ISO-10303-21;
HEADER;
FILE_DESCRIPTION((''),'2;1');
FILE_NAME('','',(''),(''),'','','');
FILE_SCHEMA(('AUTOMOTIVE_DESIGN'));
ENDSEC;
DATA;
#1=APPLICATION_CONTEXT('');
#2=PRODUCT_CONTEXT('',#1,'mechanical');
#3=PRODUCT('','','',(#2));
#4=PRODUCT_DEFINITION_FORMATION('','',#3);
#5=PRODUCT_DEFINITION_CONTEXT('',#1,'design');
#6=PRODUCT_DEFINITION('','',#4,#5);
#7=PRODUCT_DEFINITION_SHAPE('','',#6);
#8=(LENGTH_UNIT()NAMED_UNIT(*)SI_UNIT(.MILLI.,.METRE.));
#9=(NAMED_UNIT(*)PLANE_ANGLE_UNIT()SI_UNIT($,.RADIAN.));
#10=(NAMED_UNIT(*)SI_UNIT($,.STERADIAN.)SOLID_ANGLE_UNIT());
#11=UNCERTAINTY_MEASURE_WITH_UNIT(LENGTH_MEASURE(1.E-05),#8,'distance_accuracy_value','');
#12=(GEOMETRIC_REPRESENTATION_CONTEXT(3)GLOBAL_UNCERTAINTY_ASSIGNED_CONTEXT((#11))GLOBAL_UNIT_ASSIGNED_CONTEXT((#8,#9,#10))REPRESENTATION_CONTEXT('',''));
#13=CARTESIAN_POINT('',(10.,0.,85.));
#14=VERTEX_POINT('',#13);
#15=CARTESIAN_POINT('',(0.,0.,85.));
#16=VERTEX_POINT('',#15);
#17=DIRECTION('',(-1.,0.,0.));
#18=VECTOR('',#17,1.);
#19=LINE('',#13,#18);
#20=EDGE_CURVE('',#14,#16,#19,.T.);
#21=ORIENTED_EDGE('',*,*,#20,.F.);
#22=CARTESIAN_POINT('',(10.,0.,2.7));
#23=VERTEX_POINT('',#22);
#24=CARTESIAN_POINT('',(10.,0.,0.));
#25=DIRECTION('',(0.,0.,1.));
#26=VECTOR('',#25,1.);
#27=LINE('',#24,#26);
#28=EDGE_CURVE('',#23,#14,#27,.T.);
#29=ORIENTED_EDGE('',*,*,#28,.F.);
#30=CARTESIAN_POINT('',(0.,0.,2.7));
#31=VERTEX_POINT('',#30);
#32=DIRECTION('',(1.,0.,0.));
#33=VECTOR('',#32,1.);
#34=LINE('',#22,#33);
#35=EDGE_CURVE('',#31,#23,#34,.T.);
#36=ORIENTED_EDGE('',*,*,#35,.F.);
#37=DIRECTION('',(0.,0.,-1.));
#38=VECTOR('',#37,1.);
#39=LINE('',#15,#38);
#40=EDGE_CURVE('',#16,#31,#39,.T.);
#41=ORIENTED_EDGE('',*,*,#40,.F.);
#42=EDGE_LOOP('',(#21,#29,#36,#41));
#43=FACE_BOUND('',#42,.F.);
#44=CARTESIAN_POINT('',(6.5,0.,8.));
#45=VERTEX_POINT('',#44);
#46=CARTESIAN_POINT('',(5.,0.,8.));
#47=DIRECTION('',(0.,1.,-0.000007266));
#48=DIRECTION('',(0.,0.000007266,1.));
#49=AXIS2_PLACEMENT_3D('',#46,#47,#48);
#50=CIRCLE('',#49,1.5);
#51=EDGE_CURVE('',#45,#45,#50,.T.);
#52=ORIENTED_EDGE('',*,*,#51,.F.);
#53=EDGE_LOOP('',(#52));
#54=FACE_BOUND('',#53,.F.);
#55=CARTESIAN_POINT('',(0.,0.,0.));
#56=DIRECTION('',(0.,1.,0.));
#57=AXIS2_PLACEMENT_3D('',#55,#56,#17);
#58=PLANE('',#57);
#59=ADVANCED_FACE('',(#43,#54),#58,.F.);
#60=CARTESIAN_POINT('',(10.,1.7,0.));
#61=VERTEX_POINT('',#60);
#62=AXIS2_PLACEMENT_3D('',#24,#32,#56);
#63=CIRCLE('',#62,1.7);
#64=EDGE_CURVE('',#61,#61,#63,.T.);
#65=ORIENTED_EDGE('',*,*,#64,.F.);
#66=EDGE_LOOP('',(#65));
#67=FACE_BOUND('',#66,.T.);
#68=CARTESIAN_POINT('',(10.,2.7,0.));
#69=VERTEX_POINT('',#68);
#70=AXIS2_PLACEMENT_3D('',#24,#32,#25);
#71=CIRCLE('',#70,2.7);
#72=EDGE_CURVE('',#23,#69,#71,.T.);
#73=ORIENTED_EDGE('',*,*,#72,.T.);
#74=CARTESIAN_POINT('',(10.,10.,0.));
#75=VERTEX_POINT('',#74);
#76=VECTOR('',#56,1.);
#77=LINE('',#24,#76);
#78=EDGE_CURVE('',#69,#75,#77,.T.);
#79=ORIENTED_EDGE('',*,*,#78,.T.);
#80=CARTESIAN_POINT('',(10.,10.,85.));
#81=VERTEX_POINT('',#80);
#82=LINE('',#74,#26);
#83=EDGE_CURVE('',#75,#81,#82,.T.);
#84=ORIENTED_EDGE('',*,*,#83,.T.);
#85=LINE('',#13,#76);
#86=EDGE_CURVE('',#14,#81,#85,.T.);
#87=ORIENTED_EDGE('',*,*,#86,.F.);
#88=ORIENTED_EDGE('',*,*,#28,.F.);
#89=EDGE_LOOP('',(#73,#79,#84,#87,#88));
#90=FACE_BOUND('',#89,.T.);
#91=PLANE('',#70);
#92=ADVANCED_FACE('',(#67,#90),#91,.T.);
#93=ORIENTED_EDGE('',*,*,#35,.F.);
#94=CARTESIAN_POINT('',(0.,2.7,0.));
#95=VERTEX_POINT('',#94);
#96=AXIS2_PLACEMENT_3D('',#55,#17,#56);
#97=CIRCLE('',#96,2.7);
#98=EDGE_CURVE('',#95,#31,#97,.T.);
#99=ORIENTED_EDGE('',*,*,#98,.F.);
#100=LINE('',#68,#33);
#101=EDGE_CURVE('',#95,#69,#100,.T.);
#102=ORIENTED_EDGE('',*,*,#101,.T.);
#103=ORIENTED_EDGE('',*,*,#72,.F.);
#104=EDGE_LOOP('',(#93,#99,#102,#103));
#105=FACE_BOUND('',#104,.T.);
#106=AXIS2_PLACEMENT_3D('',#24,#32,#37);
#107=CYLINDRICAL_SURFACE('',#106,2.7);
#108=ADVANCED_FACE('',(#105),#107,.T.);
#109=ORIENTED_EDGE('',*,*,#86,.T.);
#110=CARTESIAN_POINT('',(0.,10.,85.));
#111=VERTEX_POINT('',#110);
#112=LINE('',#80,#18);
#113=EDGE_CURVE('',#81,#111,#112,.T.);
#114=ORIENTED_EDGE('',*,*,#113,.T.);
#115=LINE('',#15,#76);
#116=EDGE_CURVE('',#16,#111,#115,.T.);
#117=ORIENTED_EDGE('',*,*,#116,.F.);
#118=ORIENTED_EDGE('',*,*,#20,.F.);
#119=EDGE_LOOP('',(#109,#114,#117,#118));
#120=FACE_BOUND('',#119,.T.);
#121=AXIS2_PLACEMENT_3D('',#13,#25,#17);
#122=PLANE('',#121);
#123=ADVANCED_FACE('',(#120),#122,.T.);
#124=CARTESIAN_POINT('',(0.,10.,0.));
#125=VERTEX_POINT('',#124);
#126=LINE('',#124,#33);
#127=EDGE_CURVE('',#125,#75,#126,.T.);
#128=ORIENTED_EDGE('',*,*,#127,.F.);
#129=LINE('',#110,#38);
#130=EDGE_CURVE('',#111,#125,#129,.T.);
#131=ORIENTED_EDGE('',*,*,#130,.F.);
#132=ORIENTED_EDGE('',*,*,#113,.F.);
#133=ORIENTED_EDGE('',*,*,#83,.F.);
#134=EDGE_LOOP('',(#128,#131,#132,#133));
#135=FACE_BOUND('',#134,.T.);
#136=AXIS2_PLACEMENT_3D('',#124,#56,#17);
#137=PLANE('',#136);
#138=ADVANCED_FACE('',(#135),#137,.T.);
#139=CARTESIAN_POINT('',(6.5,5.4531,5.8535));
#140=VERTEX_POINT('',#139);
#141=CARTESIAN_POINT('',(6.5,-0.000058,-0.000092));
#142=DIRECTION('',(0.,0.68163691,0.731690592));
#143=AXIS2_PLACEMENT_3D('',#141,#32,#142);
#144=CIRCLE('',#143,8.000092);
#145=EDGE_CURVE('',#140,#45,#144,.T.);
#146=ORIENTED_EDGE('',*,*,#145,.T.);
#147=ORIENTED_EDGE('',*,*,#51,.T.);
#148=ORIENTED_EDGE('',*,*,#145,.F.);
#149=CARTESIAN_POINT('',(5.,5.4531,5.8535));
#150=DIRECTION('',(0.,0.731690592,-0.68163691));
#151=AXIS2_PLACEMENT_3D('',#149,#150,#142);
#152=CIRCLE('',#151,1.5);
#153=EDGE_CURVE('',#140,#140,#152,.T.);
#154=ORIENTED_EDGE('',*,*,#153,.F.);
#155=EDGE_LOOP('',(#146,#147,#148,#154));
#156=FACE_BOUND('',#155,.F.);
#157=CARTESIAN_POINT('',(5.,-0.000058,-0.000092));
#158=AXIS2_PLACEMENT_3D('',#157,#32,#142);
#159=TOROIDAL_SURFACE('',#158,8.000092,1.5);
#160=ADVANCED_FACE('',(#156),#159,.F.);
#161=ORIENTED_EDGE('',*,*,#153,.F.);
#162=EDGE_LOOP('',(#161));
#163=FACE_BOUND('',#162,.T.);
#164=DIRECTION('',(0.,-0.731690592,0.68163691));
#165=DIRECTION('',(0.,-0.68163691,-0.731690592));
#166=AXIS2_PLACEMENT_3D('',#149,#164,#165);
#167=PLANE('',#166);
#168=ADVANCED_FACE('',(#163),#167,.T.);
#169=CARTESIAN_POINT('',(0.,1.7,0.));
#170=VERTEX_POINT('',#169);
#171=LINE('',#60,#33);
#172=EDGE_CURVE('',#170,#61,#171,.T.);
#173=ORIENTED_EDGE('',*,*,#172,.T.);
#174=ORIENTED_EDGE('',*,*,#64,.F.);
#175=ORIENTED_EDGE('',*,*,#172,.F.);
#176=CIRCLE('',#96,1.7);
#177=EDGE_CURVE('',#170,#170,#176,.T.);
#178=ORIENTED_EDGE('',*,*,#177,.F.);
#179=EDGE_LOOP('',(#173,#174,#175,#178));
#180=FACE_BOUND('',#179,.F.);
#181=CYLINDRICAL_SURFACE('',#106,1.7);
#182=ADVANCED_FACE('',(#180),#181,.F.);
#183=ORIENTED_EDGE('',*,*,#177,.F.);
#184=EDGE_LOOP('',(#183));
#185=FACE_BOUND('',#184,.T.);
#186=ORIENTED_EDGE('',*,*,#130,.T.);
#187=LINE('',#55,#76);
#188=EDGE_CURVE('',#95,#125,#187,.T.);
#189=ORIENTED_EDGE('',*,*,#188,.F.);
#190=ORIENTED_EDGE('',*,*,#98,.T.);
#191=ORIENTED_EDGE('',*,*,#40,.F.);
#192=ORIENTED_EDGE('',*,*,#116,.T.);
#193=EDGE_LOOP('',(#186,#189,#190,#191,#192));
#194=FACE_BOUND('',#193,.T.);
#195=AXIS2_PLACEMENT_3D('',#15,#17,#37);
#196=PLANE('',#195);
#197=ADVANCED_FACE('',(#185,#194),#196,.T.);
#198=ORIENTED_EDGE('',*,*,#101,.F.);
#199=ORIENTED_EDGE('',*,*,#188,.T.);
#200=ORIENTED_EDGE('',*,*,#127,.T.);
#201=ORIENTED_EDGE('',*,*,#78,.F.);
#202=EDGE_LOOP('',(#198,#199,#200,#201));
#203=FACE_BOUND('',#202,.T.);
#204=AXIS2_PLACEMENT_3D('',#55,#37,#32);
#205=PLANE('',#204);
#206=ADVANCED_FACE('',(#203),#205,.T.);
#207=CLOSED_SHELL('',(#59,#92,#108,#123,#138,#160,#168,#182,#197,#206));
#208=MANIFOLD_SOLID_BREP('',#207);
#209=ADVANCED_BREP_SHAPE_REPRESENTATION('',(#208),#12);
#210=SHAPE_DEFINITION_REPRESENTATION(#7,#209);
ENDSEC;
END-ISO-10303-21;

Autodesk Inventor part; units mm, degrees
ref_plane "YZ Plane" through (0, 0, 0) normal (1, 0, 0) x (0, 1, 0)
ref_plane "XZ Plane" through (0, 0, 0) normal (0, 1, 0) x (-1, 0, 0)
sketch "Base" plane through (0, 0, 0) normal (0, 1, 0) x (-1, 0, 0)
  line L0 (0, 0) -> (-10, 0)
  line L1 (-10, 0) -> (-10, 85)
  line L2 (-10, 85) -> (0, 85)
  line L3 (0, 85) -> (0, 0)
  dimension "KeyWidth" = 10
  dimension "KeyLength" = 85
extrude "Main Body" add sketch "Base" along normal blind 10
sketch "Hinge Sketch" plane through (10, 0, 85) normal (1, 0, 0) x (0, 0, -1)
  circle A0 centre (85, 0) radius 1.7
  circle A1 centre (85, 0) radius 2.7
  dimension "d10" = 3.4
  dimension "d11" = 1
extrude "Hinge Surround" add sketch "Hinge Sketch" against normal up to surface (10 mm away)
extrude "Hinge Hole" cut sketch "Hinge Sketch" against normal up to next contours A0
ref_plane "Work Plane1" through (5, 0, 85) normal (1, 0, 0) x (0, 0, -1)
sketch "Sweep Path" plane through (5, 0, 85) normal (1, 0, 0) x (0, 0, -1)
  arc A0 (79.1465, 5.4531) -> (77, 0) centre (85, 0) ccw
  line L0 (0, 0) -> (82.3, 0) construction
  dimension "SweepAngle" = 42.972
  dimension "SweepRadius" = 8
sketch "Sweep Profile" plane through (0, 0, 0) normal (0, -1, 0) x (1, 0, 0)
  circle A0 centre (5, 8) radius 1.5
  point P0 (0, 0)
  dimension "RingThickness" = 3
sweep "Sweep2" cut profiles "Sweep Profile" path "Sweep Path"
equation "\"KeyWidth\" = MaxWidth"
equation "\"SweepArcLength\" = 6"
equation "\"MaxWidth\" = 10"
properties part number "Key0"
